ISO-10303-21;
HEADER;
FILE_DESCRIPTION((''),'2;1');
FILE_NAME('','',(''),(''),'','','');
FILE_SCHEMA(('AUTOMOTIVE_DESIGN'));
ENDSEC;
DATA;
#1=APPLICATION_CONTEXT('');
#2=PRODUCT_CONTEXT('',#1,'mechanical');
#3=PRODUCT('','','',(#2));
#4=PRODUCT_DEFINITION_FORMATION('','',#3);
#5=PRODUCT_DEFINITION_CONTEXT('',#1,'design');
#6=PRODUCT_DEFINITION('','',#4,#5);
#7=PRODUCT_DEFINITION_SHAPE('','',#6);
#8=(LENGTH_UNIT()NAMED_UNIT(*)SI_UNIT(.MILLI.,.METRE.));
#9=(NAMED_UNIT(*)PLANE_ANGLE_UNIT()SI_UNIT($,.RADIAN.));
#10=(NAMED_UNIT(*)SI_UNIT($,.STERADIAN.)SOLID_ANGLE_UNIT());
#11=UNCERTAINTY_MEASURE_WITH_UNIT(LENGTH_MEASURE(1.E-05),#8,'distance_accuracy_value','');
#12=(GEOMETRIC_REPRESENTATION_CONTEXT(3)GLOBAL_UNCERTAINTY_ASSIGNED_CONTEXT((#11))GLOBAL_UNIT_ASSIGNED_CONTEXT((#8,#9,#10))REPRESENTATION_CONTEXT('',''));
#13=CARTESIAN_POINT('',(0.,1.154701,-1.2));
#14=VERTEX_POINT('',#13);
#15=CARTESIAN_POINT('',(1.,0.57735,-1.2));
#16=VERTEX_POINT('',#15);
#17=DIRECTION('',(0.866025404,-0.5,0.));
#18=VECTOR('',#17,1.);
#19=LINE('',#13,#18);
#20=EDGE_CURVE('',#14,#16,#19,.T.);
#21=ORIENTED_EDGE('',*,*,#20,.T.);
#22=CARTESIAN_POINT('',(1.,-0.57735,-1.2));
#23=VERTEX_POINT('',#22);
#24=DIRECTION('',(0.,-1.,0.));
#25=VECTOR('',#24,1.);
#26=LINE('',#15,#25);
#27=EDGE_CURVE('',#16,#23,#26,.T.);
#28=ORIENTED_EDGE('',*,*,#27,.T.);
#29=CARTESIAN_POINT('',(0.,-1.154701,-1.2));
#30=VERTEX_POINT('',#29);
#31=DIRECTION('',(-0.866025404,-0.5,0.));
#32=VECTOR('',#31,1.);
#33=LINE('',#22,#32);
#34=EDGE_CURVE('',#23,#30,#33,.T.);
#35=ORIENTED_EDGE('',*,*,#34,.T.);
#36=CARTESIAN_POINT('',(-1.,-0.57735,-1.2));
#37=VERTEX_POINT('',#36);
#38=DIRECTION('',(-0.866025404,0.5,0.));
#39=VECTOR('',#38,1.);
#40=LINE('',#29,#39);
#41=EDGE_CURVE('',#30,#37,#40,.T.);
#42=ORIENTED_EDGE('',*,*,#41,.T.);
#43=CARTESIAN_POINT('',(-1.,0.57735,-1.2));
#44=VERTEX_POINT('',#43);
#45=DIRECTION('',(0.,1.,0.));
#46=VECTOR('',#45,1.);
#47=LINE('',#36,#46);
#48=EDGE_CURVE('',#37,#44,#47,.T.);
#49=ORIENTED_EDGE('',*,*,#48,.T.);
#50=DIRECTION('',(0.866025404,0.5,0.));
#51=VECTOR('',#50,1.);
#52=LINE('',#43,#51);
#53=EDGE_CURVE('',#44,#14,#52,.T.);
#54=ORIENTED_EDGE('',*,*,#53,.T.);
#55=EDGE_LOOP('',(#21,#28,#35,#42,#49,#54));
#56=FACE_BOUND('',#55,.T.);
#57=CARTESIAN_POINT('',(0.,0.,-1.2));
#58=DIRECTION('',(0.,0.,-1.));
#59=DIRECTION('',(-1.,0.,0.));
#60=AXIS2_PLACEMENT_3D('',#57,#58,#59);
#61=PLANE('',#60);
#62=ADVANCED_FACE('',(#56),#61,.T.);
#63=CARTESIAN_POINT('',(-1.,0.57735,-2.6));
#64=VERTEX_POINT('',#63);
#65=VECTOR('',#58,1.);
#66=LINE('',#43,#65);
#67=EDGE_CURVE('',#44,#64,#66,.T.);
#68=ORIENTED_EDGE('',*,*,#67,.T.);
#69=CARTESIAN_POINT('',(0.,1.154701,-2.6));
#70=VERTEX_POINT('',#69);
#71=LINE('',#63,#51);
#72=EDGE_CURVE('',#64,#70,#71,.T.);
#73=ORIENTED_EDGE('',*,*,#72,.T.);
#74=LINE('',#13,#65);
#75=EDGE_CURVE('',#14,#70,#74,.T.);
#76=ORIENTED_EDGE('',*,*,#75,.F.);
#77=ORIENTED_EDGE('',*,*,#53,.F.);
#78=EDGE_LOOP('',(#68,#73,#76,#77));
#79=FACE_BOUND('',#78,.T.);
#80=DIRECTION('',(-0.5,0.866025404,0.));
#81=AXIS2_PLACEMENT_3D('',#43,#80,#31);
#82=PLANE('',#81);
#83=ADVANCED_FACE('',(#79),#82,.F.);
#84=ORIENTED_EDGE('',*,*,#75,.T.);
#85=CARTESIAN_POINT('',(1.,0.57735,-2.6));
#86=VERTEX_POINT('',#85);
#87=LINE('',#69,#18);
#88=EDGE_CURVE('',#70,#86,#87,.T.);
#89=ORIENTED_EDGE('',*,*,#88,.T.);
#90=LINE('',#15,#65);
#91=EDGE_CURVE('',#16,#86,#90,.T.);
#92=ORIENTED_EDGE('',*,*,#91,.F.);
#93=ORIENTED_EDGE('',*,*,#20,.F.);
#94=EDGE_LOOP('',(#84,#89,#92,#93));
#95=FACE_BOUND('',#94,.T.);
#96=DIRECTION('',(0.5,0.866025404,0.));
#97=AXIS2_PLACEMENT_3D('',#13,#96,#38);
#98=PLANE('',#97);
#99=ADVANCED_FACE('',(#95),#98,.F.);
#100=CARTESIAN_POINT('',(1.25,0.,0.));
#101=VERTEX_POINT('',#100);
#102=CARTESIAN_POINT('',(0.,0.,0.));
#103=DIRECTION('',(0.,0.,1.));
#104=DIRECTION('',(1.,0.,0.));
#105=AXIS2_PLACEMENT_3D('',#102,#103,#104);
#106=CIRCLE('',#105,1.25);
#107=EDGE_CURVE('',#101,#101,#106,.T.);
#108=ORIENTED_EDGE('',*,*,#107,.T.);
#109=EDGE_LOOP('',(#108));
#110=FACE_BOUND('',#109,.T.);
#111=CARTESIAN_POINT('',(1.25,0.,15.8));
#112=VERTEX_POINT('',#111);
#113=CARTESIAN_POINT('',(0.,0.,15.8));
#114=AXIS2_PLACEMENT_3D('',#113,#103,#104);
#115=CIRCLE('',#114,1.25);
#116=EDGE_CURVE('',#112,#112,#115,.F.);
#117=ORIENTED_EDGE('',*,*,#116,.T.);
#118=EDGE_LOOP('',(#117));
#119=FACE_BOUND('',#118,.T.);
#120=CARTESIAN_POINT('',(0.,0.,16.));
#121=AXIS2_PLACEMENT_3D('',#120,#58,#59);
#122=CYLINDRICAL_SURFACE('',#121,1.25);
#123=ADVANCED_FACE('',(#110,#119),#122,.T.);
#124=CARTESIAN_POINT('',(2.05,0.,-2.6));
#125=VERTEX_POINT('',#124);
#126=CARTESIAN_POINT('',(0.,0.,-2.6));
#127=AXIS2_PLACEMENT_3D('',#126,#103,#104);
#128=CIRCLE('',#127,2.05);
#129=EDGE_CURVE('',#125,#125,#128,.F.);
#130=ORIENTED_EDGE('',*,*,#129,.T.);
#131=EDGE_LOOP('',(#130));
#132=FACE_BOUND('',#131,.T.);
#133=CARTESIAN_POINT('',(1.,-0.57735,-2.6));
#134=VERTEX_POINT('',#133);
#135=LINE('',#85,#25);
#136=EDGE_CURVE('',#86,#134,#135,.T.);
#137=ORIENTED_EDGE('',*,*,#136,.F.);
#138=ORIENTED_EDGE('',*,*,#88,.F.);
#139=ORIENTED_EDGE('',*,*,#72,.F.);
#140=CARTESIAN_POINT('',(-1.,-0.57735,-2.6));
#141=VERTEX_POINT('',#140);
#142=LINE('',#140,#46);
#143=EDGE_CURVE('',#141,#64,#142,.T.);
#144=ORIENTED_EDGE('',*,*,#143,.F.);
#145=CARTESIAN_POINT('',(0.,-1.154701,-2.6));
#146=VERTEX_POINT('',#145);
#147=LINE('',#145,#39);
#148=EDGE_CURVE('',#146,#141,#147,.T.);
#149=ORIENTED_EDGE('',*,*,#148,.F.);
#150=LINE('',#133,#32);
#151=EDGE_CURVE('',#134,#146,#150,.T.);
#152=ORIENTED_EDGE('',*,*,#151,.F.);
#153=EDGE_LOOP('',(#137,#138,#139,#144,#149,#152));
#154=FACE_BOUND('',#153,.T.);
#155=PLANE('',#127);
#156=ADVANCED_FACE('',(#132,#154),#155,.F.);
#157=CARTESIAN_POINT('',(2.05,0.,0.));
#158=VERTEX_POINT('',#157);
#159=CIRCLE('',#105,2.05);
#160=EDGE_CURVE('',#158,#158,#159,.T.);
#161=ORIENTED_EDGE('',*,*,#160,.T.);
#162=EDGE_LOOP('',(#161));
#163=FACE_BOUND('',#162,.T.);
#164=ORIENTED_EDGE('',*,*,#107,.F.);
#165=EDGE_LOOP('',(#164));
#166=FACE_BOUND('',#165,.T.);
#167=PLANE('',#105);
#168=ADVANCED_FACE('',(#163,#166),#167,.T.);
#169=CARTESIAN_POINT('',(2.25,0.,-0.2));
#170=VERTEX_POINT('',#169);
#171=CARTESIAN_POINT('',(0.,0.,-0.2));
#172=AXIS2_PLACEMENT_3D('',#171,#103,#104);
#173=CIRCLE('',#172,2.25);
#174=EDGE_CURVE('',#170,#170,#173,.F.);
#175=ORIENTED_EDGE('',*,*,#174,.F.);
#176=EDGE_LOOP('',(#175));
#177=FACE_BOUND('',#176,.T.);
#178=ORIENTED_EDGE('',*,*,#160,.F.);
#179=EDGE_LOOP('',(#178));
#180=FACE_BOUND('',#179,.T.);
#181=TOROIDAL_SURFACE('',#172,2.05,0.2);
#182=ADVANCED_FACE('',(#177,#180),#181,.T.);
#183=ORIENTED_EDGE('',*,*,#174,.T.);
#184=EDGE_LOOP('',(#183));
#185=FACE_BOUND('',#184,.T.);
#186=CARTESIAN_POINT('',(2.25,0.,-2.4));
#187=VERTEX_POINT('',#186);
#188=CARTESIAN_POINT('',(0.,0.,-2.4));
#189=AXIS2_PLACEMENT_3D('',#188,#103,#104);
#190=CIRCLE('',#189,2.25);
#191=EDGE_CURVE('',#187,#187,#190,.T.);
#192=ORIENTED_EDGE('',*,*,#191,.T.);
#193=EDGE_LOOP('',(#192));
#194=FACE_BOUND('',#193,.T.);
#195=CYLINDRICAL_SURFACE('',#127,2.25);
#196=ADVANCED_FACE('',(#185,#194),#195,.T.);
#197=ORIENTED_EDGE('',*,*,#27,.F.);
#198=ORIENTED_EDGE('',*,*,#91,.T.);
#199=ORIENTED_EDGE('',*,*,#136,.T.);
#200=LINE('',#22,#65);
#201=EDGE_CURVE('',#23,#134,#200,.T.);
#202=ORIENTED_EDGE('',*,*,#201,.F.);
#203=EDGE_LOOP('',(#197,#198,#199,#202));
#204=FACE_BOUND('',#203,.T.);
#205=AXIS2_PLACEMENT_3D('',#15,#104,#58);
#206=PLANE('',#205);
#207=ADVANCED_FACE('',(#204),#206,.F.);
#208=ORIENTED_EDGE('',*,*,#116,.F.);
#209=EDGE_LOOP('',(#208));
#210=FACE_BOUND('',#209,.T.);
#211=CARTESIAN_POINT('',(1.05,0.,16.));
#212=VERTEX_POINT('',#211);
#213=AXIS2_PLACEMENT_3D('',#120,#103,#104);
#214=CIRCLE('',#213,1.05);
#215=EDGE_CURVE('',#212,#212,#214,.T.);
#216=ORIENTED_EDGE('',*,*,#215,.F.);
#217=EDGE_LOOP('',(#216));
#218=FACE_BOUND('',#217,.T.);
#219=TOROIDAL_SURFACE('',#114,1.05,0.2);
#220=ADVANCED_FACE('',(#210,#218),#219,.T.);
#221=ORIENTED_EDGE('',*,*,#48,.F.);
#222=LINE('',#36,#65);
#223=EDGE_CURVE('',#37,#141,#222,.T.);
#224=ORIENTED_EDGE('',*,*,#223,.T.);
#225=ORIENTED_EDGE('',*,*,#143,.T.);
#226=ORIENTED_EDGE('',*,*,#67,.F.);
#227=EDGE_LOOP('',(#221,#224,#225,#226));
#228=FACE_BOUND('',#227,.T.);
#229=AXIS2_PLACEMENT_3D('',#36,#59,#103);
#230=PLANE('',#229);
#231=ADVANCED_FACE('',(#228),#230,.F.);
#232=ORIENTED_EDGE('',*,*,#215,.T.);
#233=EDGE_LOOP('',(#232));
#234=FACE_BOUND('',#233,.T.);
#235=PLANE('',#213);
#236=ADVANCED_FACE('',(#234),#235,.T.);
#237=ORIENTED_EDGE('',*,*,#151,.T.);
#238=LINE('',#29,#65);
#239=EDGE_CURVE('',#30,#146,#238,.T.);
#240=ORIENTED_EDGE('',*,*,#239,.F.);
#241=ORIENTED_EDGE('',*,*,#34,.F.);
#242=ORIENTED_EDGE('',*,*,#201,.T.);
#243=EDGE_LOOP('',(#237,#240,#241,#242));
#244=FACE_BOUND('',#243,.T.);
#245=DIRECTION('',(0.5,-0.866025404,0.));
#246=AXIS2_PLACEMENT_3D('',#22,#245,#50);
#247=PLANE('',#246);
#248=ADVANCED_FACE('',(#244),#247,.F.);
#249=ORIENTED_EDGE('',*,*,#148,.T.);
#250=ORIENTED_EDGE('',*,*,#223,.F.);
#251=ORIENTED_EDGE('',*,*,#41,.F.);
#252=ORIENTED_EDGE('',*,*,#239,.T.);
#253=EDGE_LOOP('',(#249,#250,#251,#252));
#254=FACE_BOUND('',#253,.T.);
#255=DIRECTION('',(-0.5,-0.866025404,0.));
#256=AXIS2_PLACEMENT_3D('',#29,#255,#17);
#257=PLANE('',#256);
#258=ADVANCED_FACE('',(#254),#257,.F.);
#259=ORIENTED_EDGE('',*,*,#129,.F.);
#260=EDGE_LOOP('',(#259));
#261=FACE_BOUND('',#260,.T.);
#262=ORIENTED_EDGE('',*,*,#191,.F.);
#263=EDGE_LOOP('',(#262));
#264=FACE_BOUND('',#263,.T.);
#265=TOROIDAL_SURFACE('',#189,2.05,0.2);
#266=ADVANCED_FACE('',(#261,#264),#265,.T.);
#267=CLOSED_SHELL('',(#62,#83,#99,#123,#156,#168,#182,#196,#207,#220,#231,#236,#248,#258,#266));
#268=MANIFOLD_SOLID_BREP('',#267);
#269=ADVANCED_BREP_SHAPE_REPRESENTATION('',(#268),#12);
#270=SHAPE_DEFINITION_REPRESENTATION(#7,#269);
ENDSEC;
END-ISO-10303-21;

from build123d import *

# Parameters (mm, degrees)
SKETCH1_R           = 1.25
BOSS_EXTRUDE1_DEPTH = 16
SKETCH1_3_R         = 2.25
BOSS_EXTRUDE2_DEPTH = 2.6
CUT_EXTRUDE1_DEPTH  = 1.4
FILLET1_R           = 0.2


with BuildPart() as part:
    # Sketch1 → Boss-Extrude1 (new body)
    with BuildSketch(Plane.XY):
        Circle(SKETCH1_R)
    extrude(amount=BOSS_EXTRUDE1_DEPTH)

    # Sketch1<3> → Boss-Extrude2 (add)
    with BuildSketch(Plane.XY):
        Circle(SKETCH1_3_R)
    extrude(amount=-BOSS_EXTRUDE2_DEPTH)

    # Sketch2 → Cut-Extrude1 (cut)
    with BuildSketch(Plane(origin=(0, 0, -2.6), x_dir=(-1, 0, 0), z_dir=(0, 0, -1))):
        Polygon((0, 1.154700538), (-1, 0.577350269), (-1, -0.577350269), (0, -1.154700538), (1, -0.577350269), (1, 0.577350269), align=None)
    extrude(amount=-CUT_EXTRUDE1_DEPTH, mode=Mode.SUBTRACT)

    # Fillet1
    fillet1_edges = [part.edges().sort_by_distance(p)[0] for p in [
        (-1.25, 0, 16),
        (-2.25, 0, 0),
        (-2.25, 0, -2.6),
    ]]
    fillet(fillet1_edges, radius=FILLET1_R)


solid = part.part
